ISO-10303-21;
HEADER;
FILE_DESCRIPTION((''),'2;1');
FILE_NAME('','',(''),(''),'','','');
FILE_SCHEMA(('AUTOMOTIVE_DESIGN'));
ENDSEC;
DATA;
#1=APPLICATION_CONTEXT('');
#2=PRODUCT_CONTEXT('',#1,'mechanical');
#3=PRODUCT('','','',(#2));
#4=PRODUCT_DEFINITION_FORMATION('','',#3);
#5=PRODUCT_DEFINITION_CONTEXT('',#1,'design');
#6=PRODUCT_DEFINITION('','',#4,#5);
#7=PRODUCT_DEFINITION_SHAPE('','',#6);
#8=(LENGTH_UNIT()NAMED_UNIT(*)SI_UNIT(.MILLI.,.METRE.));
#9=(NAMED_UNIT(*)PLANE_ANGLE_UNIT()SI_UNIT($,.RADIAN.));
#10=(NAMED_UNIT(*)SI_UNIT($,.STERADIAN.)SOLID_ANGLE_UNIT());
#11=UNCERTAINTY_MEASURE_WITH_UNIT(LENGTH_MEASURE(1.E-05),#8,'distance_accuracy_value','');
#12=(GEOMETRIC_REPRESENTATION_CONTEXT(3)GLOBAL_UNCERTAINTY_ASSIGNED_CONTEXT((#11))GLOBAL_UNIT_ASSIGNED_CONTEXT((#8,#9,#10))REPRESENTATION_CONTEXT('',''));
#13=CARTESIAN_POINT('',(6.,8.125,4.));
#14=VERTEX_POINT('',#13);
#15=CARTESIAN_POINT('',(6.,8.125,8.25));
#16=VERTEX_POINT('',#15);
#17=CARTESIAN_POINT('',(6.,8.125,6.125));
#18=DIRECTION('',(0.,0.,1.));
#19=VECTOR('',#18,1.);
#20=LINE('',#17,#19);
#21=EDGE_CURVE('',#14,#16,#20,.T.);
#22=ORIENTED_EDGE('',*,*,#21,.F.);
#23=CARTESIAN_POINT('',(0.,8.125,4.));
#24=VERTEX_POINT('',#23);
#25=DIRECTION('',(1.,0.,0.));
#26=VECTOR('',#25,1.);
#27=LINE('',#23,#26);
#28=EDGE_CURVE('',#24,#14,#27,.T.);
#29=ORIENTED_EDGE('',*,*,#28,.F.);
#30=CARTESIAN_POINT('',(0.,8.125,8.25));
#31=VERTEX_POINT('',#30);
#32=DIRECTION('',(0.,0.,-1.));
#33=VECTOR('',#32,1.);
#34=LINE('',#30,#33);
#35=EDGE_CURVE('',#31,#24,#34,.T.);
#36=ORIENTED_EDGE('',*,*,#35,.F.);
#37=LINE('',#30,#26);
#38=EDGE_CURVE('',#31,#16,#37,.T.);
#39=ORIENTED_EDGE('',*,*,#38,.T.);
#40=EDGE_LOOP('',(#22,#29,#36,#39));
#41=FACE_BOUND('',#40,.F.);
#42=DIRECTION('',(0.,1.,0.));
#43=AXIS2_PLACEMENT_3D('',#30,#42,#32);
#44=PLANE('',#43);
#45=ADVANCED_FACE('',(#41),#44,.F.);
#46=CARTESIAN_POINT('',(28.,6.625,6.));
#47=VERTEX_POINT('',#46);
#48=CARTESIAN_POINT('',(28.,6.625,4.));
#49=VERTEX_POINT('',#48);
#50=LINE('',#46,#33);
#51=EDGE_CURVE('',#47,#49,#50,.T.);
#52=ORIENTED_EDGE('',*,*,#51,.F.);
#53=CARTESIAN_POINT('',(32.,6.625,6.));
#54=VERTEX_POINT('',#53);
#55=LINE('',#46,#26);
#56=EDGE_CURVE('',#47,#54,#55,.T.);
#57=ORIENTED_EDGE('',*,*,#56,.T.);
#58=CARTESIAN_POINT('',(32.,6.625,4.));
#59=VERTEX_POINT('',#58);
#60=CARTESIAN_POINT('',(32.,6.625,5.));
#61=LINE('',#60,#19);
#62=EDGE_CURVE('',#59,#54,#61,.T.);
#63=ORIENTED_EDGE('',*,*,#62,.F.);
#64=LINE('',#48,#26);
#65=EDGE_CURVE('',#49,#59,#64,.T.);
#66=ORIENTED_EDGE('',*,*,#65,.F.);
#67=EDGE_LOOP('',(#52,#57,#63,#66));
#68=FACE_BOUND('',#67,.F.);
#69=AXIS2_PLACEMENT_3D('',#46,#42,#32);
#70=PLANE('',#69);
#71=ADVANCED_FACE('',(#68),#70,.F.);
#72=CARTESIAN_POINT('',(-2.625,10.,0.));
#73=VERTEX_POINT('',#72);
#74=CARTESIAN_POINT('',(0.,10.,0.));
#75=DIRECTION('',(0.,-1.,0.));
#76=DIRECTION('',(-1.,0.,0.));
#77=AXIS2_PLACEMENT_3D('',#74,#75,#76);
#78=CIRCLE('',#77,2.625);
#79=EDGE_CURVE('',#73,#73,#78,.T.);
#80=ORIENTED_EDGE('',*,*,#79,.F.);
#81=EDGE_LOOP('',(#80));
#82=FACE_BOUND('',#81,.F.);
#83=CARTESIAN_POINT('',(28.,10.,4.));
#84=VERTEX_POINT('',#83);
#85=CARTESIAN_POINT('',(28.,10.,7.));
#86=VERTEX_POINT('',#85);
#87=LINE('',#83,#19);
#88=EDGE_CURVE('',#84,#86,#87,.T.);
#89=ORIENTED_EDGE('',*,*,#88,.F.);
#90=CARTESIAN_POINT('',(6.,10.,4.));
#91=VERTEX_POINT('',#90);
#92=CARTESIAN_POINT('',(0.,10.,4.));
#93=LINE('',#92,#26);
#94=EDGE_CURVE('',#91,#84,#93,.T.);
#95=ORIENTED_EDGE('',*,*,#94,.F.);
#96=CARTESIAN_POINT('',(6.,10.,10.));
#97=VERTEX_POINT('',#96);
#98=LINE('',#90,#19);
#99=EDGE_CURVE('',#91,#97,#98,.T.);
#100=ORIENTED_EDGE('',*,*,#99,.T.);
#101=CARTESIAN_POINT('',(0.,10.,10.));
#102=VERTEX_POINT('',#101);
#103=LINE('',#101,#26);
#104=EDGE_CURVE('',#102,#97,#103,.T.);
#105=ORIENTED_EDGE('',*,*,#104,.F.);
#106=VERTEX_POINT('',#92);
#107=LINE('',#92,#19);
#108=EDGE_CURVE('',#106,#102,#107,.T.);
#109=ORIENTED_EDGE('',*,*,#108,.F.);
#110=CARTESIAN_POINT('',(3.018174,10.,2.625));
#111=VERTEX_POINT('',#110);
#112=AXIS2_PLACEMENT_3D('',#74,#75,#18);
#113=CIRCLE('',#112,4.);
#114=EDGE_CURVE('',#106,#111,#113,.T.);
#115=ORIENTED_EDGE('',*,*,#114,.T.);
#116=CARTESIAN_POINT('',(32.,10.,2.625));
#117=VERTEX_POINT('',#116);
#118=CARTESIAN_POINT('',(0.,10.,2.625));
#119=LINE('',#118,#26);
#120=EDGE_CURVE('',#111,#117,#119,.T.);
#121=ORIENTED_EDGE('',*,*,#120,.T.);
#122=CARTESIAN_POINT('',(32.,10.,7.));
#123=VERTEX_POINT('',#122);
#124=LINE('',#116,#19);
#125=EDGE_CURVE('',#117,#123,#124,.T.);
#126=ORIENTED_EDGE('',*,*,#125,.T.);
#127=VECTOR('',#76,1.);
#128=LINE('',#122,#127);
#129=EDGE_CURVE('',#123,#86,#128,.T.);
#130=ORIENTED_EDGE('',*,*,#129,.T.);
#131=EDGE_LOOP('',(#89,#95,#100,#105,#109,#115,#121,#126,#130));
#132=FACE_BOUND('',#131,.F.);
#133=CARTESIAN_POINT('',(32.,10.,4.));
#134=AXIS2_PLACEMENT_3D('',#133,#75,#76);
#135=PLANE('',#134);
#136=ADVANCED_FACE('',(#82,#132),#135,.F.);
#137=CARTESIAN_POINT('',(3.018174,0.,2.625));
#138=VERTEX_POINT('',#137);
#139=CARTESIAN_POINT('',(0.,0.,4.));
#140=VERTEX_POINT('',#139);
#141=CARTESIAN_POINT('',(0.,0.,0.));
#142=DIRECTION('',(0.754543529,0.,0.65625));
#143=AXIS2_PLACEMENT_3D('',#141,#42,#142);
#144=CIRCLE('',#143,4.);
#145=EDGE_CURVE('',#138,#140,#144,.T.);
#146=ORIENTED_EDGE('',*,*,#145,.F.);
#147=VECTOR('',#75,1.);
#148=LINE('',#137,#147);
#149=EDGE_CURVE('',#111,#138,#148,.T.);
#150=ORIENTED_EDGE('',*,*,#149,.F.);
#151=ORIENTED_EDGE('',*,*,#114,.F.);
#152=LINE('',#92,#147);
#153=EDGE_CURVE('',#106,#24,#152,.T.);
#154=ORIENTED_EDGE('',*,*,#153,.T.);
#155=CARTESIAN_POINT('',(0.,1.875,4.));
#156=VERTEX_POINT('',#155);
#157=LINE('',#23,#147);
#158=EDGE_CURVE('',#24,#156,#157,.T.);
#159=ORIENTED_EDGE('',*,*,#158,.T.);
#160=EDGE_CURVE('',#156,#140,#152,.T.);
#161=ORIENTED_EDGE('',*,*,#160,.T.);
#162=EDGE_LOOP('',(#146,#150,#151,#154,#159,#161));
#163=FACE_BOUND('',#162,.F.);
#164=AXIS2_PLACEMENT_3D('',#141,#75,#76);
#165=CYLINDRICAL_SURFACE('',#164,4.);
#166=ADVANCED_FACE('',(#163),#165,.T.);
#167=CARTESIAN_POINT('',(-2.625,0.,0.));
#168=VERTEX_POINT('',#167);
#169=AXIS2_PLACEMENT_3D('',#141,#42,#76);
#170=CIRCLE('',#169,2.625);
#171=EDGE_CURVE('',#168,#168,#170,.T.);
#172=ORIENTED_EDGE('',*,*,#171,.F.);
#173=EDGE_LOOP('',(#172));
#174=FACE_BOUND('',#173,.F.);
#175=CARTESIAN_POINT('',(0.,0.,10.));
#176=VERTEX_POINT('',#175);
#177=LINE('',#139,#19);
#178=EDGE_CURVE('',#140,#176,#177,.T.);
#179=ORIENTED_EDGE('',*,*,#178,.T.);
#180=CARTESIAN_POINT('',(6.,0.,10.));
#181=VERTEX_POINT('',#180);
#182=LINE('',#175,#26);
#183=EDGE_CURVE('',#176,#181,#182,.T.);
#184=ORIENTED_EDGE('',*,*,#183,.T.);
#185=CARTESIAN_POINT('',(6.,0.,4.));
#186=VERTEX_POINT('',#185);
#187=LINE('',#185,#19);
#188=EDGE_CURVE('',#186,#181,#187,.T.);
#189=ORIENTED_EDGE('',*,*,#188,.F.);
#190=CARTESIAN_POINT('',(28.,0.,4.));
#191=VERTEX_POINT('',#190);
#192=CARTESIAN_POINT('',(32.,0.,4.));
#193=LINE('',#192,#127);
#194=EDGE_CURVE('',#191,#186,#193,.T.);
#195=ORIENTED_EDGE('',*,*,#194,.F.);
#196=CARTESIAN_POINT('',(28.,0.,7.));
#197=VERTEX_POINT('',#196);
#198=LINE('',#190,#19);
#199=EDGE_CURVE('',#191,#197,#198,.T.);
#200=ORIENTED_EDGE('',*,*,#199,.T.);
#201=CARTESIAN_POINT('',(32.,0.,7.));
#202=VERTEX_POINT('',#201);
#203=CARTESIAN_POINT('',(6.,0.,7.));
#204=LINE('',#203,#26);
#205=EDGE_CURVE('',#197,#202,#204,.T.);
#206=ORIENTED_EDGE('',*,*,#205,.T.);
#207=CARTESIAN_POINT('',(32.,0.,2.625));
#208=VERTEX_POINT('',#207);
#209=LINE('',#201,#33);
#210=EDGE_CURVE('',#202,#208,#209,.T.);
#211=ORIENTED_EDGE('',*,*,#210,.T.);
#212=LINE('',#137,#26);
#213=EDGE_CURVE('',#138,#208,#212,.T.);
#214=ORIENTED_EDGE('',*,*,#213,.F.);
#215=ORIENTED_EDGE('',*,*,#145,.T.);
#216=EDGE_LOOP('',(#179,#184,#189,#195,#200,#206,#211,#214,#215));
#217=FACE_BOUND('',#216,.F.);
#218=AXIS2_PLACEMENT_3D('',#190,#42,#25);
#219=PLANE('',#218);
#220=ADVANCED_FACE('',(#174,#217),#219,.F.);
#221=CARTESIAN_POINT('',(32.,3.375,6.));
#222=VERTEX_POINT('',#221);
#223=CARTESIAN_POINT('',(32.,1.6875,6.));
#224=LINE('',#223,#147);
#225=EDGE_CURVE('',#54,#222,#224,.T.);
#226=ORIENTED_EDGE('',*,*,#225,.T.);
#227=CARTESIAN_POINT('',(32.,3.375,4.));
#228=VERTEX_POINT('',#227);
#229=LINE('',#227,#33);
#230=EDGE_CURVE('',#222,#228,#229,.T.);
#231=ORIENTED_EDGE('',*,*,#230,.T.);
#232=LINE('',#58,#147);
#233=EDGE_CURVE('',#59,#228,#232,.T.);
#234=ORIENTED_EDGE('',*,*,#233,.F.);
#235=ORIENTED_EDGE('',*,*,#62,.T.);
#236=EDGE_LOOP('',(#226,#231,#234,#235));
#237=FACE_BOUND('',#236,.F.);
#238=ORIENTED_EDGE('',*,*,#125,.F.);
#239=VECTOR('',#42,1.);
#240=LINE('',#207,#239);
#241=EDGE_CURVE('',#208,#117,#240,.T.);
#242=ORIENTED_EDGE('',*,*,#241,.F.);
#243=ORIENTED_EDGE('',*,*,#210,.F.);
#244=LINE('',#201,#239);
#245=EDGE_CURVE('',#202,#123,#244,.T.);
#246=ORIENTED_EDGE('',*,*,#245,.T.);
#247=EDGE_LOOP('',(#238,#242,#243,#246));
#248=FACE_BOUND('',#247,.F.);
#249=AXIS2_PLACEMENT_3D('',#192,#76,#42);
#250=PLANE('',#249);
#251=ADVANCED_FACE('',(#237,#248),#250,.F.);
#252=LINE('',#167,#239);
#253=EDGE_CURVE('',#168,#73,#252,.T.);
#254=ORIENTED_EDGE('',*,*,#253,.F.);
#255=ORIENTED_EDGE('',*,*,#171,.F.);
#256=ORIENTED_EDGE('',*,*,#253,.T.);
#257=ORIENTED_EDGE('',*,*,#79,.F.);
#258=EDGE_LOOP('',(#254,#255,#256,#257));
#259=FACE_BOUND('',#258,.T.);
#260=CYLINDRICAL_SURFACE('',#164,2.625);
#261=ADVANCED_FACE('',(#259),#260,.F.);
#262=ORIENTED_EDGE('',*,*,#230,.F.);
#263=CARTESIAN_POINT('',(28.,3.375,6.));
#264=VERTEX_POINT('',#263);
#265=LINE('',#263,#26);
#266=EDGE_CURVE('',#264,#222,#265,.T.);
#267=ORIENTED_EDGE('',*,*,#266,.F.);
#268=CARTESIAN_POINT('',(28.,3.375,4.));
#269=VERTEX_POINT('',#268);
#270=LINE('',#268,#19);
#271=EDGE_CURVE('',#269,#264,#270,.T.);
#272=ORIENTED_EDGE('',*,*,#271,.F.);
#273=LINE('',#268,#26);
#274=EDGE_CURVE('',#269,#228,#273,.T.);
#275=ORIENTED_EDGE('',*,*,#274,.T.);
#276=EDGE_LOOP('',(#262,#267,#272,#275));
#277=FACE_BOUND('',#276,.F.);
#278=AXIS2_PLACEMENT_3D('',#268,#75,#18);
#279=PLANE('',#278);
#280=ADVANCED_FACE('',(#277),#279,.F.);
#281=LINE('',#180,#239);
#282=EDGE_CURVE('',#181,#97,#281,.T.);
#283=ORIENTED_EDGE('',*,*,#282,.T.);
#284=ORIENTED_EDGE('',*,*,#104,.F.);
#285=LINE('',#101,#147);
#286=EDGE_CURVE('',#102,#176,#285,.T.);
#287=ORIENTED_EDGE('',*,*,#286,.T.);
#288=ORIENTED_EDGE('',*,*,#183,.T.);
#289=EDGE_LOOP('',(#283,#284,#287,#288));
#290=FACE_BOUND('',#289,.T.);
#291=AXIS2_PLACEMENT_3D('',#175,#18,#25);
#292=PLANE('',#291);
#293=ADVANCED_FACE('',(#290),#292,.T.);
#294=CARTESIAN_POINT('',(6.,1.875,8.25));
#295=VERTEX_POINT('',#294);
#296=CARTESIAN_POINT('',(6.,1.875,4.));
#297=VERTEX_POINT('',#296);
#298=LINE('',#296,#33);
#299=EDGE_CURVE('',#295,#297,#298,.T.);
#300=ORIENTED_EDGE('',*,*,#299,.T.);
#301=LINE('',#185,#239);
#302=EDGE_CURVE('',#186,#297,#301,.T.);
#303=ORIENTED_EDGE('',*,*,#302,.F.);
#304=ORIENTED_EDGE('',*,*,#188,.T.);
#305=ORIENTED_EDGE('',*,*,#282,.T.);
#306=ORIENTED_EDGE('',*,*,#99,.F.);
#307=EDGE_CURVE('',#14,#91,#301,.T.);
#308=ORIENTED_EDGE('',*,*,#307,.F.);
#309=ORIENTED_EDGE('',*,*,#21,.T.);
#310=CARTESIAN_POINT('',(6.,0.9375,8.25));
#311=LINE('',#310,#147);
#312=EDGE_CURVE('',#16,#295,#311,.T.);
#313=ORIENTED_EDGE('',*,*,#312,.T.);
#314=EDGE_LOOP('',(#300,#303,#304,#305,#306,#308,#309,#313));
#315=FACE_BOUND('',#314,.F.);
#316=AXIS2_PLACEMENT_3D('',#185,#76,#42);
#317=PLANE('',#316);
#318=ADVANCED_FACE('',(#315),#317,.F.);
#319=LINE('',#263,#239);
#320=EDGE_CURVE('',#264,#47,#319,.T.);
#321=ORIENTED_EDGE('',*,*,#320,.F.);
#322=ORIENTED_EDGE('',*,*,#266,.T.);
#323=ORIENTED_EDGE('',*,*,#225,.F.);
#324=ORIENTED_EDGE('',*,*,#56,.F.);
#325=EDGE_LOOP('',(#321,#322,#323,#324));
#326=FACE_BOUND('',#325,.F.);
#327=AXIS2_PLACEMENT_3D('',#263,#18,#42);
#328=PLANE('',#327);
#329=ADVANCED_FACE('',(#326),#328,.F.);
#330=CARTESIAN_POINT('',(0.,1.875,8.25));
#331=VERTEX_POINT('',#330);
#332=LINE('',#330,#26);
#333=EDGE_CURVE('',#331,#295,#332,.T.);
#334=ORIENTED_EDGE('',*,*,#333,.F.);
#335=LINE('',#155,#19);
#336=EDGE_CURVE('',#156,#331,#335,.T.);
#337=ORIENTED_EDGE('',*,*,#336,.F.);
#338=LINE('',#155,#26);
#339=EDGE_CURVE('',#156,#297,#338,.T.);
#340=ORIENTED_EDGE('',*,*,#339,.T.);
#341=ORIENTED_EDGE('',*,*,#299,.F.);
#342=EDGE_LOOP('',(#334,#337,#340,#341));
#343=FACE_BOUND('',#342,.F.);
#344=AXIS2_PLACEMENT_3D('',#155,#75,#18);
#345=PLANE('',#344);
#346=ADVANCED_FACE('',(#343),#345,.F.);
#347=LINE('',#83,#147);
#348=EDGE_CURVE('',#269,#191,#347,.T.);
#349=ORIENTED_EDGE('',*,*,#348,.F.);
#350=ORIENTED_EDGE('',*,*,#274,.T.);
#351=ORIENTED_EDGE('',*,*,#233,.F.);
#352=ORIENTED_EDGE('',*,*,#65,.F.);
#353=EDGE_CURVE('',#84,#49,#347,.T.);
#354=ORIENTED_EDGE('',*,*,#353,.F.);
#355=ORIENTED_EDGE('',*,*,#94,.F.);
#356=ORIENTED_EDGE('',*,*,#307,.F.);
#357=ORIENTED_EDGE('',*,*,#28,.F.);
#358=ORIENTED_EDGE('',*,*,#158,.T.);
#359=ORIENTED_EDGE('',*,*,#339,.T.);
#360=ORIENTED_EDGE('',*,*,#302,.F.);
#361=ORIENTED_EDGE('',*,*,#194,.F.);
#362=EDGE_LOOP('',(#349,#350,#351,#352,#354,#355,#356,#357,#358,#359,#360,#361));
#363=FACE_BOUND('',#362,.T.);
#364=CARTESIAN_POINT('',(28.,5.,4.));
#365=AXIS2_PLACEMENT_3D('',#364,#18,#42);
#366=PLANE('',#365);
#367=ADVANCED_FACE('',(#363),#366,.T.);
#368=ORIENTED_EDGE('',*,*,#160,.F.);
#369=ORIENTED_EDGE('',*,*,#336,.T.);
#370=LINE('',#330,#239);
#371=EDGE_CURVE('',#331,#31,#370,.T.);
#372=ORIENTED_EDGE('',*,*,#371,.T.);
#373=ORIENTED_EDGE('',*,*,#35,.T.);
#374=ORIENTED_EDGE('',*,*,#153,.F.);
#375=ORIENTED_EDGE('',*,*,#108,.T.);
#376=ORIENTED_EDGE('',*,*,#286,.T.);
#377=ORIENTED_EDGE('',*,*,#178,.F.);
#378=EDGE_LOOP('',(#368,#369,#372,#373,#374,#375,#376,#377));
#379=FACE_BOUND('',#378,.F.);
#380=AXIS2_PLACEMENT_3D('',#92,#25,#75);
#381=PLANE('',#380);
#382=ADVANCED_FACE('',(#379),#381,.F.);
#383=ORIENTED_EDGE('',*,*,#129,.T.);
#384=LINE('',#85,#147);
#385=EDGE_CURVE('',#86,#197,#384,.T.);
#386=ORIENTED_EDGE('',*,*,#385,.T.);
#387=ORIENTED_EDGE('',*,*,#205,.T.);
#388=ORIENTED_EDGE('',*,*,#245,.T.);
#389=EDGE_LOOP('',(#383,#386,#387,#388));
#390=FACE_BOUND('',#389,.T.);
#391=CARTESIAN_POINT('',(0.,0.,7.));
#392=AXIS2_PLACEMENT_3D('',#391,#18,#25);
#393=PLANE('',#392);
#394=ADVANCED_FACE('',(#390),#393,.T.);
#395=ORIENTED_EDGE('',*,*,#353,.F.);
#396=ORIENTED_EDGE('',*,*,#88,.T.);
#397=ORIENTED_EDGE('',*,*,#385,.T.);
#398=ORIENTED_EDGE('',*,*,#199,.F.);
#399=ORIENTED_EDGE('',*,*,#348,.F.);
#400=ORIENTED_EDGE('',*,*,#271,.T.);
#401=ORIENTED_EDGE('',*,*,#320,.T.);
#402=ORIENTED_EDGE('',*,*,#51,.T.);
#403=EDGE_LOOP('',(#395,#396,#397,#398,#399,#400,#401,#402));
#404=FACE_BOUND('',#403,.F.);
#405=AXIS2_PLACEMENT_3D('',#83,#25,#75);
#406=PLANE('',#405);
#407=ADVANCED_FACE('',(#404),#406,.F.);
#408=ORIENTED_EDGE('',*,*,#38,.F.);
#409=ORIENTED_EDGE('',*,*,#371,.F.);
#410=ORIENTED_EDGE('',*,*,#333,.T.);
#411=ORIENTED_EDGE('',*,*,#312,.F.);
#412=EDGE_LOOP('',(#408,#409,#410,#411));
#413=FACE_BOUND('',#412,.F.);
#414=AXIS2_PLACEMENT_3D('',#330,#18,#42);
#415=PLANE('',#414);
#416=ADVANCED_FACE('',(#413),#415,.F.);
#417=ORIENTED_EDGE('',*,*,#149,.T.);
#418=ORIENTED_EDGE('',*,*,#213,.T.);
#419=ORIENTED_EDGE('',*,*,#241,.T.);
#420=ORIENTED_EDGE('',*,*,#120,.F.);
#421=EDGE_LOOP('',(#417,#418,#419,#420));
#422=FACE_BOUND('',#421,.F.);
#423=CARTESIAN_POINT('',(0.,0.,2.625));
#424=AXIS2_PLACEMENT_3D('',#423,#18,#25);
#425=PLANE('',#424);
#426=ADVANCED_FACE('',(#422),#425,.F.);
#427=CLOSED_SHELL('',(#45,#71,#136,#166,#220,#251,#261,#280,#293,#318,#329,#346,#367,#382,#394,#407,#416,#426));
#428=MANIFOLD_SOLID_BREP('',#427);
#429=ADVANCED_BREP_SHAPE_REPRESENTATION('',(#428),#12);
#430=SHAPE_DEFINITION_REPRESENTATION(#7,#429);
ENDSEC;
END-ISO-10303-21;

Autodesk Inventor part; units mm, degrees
ref_plane "YZ Plane" through (0, 0, 0) normal (1, 0, 0) x (0, 1, 0)
ref_plane "XZ Plane" through (0, 0, 0) normal (0, 1, 0) x (-1, 0, 0)
sketch "Sketch1" plane through (0, 0, 0) normal (0, 1, 0) x (-1, 0, 0)
  circle A0 centre (0, 0) radius 2.625
  circle A1 centre (0, 0) radius 4
  dimension "d0" = 5.25
  dimension "d1" = 8
extrude "Extrusion1" add sketch "Sketch1" along normal blind 10
ref_plane "Work Plane1" through (0, 0, 4) normal (0, 0, 1) x (1, 0, 0)
sketch "Sketch2" plane through (0, 0, 4) normal (0, 0, 1) x (1, 0, 0)
  line L0 (4, 10) -> (-4, 10) construction
  line L1 (0, 10) -> (0, 0) construction
  line L2 (0, 10) -> (32, 10)
  line L3 (0, 0) -> (32, 0)
  line L4 (4, 0) -> (-4, 0) projected
  line L5 (0, 10) -> (0, 0)
  line L6 (32, 0) -> (32, 10)
  dimension "d5" = 32
  dimension "d6" = 32
extrude "Extrusion2" add sketch "Sketch2" against normal blind 1.375
sketch "Sketch3" plane through (0, 0, 4) normal (0, 0, 1) x (1, 0, 0)
  line L0 (-2.625, 10) -> (2.625, 10) projected
  line L1 (0, 10) -> (0, 0)
  line L2 (0, 0) -> (6, 0)
  line L3 (32, 0) -> (3.0182, 0) projected
  line L4 (6, 0) -> (6, 10)
  line L5 (6, 10) -> (0, 10)
  dimension "d9" = 6
extrude "Extrusion3" add sketch "Sketch3" along normal blind 6
sketch "Sketch4" plane through (0, 0, 4) normal (-1, 0, 0) x (0, 0, 1)
  line L0 (6, 0) -> (6, 10) construction
  line L1 (6, 5) -> (0, 5) construction
  line L2 (0, 0) -> (0, 10) construction
  line L3 (0, 5) -> (0, 8.125)
  line L4 (0, 5) -> (0, 1.875)
  line L5 (0, 1.875) -> (4.25, 1.875)
  line L6 (4.25, 1.875) -> (4.25, 8.125)
  line L7 (4.25, 8.125) -> (0, 8.125)
  point P0 (-4, 0)
  dimension "d12" = 3.125
  dimension "d13" = 3.125
  dimension "d14" = 4.25
extrude "Extrusion4" cut sketch "Sketch4" against normal up to next
sketch "Sketch5" plane through (0, 0, 4) normal (0, 0, 1) x (1, 0, 0)
  line L0 (32, 10) -> (28, 10)
  line L1 (32, 10) -> (6, 10) projected
  line L2 (28, 10) -> (28, 0)
  line L3 (6, 0) -> (32, 0) projected
  line L4 (32, 0) -> (28, 0)
  line L5 (32, 0) -> (32, 10)
  point P0 (0, 0)
  dimension "d17" = 4
extrude "Extrusion5" add sketch "Sketch5" along normal blind 3
sketch "Sketch6" plane through (28, 0, 4) normal (-1, 0, 0) x (0, 0, 1)
  line L0 (-1.375, 10) -> (3, 10) construction
  line L1 (3, 10) -> (3, 0) construction
  line L2 (0, 0) -> (6, 0) construction
  line L3 (3, 0) -> (3, 10) construction
  line L4 (3, 5) -> (0, 5) construction
  line L5 (0, 1.875) -> (0, 8.125) construction
  line L6 (0, 5) -> (0, 6.625)
  line L7 (0, 5) -> (0, 3.375)
  line L8 (0, 3.375) -> (2, 3.375)
  line L9 (2, 3.375) -> (2, 6.625)
  line L10 (2, 6.625) -> (0, 6.625)
  point P0 (-4, 0)
  dimension "d20" = 1.625
  dimension "d21" = 1.625
  dimension "d22" = 2
extrude "Extrusion6" cut sketch "Sketch6" against normal up to next
properties part number "tiny LED's standoff mount"
